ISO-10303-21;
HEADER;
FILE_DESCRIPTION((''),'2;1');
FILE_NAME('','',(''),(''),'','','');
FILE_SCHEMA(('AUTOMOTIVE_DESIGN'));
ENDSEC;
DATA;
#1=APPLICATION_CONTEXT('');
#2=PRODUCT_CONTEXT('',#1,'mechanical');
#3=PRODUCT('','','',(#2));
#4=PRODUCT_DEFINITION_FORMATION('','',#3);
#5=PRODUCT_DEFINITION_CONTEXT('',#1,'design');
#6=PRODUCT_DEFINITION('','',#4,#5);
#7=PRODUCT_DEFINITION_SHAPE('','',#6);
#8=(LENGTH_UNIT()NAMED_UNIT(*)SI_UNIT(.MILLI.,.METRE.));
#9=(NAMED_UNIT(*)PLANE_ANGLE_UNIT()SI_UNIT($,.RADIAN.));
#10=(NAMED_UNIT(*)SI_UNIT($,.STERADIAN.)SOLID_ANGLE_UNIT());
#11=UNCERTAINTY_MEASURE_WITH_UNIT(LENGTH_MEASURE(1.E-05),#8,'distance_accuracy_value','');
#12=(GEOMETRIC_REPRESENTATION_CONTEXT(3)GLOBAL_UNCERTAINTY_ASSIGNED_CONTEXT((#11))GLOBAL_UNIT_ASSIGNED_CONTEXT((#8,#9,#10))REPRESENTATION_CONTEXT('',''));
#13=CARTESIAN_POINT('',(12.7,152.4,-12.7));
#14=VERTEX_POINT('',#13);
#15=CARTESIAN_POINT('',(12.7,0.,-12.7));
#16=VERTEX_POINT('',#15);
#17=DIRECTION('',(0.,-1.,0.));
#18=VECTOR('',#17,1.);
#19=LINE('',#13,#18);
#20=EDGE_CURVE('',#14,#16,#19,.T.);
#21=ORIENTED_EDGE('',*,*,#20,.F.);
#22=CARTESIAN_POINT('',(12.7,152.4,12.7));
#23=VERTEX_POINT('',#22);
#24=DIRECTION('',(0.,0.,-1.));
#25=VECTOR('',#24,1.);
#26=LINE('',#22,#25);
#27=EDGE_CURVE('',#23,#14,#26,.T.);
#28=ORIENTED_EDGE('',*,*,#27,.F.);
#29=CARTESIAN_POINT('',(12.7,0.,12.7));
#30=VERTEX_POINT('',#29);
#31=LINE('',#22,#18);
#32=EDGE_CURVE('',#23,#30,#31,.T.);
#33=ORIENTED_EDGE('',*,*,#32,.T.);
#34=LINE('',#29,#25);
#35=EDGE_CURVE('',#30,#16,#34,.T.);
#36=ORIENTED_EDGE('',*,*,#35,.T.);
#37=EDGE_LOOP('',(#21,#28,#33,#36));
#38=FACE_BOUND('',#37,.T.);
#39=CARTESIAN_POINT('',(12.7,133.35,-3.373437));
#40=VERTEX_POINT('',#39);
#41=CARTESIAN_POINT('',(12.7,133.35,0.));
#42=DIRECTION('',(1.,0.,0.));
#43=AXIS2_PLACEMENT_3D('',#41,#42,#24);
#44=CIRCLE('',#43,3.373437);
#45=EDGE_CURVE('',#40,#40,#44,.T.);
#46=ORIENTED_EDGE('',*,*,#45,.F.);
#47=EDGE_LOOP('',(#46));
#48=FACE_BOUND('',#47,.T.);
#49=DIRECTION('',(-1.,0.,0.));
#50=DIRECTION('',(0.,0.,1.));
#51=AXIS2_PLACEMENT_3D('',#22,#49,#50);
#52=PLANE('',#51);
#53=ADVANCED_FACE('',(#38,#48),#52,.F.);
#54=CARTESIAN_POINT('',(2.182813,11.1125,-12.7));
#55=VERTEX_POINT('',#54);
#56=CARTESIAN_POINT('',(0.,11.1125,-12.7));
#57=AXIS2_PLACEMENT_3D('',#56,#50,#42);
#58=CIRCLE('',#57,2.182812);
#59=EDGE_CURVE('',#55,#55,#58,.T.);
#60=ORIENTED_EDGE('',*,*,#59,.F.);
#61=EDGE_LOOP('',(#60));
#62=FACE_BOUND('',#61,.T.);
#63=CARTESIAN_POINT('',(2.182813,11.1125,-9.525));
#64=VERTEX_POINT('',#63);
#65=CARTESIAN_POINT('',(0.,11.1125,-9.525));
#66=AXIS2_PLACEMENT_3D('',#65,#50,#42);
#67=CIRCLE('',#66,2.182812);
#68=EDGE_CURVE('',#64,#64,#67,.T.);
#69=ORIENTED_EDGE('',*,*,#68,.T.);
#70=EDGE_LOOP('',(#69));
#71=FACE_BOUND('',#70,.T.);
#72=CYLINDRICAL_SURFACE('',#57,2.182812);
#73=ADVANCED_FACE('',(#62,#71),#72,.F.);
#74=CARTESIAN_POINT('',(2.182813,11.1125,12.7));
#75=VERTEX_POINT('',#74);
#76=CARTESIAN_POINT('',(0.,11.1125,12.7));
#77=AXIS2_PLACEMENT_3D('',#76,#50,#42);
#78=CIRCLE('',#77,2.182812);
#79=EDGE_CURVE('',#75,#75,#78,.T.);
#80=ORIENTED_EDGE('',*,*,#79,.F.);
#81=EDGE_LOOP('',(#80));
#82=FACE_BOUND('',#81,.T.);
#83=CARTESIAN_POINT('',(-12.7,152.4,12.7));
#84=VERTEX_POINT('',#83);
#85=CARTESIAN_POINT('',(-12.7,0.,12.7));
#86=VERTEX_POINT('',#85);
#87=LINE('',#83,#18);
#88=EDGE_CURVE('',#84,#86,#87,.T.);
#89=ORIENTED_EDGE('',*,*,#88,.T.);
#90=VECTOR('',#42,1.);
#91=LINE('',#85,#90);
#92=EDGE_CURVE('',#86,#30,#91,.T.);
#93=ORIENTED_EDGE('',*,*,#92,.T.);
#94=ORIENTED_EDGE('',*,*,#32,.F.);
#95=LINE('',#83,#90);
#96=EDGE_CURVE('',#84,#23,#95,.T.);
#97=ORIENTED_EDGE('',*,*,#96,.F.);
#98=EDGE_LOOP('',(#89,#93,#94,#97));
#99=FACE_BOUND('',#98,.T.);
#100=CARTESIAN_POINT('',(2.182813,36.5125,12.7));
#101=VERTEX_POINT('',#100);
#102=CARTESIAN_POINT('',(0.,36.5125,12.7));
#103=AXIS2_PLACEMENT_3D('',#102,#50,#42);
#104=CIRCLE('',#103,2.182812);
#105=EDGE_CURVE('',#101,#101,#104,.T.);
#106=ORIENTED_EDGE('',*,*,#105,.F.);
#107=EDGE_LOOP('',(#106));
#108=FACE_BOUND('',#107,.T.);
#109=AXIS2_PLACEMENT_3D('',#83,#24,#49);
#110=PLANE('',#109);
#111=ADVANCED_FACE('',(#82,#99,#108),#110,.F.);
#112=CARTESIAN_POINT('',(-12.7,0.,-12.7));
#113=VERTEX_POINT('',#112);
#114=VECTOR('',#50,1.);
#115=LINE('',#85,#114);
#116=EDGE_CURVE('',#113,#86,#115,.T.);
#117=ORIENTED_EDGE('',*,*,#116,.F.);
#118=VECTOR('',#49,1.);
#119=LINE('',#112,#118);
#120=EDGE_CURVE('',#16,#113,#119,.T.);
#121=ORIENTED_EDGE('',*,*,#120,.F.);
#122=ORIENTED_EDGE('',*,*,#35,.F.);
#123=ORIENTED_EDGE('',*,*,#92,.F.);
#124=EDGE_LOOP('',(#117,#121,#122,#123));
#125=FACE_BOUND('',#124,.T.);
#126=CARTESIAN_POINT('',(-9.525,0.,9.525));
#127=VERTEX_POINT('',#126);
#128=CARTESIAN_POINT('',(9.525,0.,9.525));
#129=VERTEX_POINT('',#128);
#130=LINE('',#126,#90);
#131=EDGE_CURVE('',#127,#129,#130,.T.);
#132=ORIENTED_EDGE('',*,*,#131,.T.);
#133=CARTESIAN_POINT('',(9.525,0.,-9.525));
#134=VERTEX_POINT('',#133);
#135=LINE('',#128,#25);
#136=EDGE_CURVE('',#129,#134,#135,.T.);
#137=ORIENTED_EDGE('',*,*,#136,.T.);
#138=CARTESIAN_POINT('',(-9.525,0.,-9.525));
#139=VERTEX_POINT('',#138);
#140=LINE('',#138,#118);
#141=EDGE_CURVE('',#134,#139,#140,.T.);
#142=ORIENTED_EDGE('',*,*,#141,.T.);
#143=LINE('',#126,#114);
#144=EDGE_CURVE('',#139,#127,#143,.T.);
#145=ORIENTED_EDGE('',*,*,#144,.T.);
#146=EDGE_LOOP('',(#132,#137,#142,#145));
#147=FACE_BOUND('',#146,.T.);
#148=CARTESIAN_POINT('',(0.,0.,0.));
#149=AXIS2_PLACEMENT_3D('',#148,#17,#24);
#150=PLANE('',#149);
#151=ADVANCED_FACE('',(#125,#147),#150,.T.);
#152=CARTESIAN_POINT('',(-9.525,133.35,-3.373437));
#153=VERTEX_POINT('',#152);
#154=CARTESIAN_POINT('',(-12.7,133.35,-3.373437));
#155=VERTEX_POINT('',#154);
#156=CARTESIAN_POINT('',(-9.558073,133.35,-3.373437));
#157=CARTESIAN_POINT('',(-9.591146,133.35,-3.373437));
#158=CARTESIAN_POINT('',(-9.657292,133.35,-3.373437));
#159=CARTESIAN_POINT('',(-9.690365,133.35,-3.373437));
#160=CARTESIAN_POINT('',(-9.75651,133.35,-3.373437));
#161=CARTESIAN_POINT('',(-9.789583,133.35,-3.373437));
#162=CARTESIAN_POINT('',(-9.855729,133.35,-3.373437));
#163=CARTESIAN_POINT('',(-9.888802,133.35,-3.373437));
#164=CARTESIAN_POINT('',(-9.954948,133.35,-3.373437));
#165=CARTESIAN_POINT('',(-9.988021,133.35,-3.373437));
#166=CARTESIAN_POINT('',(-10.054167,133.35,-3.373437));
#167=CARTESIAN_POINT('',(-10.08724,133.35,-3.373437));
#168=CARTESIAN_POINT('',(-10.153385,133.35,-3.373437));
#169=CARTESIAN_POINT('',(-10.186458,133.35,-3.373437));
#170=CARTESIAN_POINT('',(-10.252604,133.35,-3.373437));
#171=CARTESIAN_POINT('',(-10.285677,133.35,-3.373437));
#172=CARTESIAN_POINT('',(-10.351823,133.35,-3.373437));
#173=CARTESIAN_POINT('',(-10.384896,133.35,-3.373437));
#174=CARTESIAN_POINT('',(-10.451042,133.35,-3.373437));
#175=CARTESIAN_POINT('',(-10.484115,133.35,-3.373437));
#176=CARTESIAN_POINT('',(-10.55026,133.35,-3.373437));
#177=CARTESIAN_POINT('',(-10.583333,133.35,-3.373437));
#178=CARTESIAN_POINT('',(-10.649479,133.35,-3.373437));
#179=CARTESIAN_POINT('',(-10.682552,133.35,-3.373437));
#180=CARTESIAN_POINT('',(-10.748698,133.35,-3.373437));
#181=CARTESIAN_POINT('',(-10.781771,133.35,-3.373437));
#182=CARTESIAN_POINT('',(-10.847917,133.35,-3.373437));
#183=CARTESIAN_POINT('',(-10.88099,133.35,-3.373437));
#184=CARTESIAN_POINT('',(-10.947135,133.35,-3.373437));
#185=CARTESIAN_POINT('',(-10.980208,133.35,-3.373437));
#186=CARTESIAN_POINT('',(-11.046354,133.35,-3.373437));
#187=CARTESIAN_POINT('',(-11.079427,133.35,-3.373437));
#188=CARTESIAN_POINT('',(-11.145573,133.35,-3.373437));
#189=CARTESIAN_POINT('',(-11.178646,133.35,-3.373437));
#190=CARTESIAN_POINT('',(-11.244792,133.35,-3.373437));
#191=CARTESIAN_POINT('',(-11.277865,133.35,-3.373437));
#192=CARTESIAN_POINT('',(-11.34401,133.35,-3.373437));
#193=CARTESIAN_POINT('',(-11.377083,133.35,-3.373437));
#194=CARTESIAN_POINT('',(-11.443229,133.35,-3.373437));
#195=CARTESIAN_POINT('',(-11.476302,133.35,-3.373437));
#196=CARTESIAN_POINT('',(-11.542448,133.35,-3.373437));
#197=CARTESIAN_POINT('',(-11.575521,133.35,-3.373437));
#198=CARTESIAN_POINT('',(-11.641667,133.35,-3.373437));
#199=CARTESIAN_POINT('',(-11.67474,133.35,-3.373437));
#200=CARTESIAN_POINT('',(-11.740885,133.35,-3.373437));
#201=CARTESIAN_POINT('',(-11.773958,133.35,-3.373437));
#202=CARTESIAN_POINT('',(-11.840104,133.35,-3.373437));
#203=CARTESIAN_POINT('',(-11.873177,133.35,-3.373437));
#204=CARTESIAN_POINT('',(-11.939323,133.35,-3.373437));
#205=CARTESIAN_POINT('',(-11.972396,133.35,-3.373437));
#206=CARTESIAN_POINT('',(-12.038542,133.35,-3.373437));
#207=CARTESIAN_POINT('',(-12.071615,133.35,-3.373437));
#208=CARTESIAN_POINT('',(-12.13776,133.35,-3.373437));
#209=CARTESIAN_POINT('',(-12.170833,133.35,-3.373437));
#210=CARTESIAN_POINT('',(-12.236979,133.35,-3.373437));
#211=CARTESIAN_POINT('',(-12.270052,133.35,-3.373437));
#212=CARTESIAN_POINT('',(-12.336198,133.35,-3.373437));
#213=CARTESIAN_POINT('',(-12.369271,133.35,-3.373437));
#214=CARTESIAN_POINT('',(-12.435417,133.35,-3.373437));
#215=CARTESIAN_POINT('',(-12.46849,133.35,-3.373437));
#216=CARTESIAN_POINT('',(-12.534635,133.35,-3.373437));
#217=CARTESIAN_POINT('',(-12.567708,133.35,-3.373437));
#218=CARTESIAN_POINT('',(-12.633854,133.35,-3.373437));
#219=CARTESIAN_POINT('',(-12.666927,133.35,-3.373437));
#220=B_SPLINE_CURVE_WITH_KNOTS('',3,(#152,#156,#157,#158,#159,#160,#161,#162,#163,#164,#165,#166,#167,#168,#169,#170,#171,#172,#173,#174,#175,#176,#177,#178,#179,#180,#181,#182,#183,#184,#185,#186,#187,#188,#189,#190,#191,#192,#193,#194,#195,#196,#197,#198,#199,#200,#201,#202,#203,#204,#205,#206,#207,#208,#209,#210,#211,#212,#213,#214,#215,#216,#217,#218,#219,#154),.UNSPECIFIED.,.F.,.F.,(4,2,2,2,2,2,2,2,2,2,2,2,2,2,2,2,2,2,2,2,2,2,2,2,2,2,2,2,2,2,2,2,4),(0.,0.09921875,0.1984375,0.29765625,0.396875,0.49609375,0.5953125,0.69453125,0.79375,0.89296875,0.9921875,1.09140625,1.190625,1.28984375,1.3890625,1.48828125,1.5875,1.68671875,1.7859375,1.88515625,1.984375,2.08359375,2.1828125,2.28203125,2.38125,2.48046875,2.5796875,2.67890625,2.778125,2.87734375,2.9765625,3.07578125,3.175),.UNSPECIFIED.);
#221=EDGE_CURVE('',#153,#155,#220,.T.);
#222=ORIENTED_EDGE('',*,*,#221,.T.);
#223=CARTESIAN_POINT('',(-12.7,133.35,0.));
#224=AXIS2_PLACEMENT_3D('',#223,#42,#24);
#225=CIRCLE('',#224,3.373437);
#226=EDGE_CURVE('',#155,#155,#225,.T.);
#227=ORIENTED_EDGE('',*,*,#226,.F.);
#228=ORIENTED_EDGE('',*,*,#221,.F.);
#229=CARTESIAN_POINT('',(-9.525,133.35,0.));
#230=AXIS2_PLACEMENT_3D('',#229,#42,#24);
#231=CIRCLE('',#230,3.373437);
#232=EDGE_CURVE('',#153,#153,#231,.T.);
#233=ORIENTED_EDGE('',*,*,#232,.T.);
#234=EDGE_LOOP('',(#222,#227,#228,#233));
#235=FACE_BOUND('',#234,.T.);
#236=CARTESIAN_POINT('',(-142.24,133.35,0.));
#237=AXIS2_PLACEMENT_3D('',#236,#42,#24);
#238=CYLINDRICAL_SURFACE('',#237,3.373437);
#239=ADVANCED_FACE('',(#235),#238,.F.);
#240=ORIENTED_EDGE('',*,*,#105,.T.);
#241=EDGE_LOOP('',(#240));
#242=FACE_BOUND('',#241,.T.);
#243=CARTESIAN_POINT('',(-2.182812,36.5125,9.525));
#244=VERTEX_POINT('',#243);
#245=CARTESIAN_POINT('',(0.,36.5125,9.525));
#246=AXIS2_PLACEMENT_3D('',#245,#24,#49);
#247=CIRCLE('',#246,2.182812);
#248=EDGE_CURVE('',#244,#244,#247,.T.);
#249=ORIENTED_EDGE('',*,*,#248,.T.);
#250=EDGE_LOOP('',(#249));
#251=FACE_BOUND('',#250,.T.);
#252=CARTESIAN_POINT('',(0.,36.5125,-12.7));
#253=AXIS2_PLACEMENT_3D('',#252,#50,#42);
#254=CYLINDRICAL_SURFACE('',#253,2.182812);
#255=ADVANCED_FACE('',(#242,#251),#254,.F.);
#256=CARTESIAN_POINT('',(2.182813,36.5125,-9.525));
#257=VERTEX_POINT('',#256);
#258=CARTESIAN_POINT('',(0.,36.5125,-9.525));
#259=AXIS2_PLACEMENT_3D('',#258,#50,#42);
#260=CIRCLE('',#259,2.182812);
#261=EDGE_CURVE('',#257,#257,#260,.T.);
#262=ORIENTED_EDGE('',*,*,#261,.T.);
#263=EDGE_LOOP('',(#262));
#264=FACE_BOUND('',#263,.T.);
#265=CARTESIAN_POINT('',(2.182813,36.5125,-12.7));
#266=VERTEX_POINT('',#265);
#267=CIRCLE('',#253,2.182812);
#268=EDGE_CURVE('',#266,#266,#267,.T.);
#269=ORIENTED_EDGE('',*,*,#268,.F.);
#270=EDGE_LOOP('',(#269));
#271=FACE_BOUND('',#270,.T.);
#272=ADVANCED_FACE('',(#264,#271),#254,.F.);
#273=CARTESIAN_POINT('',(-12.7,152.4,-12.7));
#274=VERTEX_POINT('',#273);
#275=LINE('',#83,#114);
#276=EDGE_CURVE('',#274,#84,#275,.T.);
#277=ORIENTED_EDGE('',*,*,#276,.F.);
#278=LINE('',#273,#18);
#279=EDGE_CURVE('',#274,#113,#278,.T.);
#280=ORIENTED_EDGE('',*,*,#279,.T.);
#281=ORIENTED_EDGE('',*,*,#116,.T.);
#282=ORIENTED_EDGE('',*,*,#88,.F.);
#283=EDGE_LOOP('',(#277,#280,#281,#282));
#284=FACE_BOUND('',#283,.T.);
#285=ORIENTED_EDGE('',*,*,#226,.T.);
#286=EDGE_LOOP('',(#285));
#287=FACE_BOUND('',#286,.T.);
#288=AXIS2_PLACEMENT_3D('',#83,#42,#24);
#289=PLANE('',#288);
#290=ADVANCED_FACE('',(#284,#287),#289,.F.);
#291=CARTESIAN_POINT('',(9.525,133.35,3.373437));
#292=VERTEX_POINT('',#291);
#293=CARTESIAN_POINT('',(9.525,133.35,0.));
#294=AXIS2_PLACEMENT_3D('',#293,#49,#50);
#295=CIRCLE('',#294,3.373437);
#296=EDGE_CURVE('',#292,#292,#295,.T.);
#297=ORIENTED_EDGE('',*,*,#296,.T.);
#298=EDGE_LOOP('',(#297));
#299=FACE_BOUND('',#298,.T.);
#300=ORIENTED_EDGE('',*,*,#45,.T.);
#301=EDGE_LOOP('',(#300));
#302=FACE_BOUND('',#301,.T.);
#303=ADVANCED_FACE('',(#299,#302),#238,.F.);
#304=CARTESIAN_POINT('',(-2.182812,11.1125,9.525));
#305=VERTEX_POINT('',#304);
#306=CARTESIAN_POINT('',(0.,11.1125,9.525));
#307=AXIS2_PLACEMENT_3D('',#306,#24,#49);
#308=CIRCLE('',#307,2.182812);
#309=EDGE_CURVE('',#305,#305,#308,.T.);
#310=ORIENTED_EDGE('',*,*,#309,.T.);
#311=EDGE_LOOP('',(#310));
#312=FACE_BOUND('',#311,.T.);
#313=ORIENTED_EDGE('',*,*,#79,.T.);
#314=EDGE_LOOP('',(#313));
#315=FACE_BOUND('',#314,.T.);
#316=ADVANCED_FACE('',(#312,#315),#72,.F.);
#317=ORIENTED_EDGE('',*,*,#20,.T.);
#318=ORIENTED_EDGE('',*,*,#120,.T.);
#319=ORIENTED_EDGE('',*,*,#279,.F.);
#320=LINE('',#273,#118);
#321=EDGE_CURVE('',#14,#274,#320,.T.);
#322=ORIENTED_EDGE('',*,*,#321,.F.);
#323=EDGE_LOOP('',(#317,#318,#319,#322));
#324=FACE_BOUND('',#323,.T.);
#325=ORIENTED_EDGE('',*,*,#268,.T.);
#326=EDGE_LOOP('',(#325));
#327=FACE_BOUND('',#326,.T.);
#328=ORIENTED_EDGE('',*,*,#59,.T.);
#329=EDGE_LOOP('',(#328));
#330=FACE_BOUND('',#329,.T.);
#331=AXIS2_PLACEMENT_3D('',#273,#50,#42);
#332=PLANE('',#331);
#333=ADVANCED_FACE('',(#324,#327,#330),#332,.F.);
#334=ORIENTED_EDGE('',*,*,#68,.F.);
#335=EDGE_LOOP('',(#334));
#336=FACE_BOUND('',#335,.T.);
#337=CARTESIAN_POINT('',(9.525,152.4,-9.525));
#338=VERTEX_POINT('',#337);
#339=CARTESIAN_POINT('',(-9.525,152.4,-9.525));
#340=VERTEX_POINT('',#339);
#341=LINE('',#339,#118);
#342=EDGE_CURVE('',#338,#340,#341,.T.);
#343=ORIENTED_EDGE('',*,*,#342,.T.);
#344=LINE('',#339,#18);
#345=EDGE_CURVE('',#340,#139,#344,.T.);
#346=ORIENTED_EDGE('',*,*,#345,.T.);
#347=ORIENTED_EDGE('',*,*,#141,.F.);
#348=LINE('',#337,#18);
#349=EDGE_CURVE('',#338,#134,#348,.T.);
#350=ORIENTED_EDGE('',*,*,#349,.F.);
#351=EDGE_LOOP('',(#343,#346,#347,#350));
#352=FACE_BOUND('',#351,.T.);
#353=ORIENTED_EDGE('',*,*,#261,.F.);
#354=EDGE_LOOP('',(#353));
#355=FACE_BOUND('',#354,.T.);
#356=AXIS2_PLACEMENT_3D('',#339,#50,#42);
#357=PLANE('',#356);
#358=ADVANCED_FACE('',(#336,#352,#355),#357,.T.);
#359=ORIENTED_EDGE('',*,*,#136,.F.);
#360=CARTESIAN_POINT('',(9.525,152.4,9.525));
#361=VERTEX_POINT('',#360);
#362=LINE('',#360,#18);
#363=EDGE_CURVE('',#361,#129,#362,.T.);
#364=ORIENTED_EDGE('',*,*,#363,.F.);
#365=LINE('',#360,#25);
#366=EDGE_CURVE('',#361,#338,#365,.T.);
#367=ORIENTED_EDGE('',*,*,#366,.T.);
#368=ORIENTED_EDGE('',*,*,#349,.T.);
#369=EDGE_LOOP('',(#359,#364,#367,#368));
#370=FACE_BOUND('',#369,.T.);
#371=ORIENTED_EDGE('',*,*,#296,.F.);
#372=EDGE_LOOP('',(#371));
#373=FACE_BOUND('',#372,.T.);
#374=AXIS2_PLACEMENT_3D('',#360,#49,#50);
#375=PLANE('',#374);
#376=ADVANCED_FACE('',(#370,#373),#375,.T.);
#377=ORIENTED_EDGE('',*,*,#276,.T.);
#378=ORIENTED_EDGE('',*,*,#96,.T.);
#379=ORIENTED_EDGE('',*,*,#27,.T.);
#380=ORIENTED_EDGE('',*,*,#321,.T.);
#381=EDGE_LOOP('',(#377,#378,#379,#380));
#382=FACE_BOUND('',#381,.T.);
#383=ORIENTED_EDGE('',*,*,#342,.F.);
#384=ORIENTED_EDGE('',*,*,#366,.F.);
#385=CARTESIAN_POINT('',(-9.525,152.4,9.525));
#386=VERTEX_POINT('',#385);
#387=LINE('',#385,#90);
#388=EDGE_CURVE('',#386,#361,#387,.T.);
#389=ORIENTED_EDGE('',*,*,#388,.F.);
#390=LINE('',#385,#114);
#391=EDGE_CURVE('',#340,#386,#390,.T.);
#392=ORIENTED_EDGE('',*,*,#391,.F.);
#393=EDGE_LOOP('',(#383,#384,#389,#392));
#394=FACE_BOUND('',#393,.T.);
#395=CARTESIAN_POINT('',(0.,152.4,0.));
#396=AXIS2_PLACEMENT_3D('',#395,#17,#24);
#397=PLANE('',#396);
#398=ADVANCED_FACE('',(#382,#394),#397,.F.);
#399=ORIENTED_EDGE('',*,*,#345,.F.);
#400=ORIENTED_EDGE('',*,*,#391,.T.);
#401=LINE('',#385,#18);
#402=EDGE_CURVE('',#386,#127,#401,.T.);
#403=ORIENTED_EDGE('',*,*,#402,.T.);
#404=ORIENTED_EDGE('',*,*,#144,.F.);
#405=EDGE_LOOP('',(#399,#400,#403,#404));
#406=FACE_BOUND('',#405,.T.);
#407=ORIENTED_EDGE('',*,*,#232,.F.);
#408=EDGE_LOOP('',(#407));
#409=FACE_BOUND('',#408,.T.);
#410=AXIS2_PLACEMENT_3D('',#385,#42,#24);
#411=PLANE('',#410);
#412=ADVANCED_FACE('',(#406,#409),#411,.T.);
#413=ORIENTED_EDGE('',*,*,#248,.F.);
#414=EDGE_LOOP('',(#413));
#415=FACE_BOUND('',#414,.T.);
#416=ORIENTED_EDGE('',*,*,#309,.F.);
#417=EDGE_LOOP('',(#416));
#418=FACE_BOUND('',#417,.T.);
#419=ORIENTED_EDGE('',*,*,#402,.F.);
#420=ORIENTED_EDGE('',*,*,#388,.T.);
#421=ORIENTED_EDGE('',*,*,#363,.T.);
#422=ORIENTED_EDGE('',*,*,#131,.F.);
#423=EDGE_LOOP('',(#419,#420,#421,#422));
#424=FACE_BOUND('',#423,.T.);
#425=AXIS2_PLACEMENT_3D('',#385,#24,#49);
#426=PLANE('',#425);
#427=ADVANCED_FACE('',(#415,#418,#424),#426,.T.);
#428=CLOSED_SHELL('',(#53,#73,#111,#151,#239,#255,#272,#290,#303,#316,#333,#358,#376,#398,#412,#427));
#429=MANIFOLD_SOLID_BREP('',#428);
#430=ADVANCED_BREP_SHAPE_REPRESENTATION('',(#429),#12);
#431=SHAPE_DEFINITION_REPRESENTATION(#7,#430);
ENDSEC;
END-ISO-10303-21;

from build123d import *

# Parameters (mm, degrees)
SKETCH1_W           = 25.4
SKETCH1_H           = 25.4
SKETCH1_W_2         = 19.05
SKETCH1_H_2         = 19.05
BOSS_EXTRUDE1_DEPTH = 152.4
SKETCH2_R           = 2.1828125
CUT_EXTRUDE1_DEPTH  = 156.02325632
SKETCH3_R           = 3.3734375
CUT_EXTRUDE2_DEPTH  = 154.94


with BuildPart() as part:
    # Sketch1 → Boss-Extrude1 (new body)
    with BuildSketch(Plane(origin=(0, 0, 0), x_dir=(1, 0, 0), z_dir=(0, 1, 0))):
        Rectangle(SKETCH1_W, SKETCH1_H)
        Rectangle(SKETCH1_W_2, SKETCH1_H_2, mode=Mode.SUBTRACT)
    extrude(amount=BOSS_EXTRUDE1_DEPTH)

    # Sketch2 → Cut-Extrude1 (cut, through all)
    with BuildSketch(Plane.XY.offset(12.7)):
        with Locations((0, 11.1125)):
            Circle(SKETCH2_R)
        with Locations((0, 36.5125)):
            Circle(SKETCH2_R)
    extrude(amount=-CUT_EXTRUDE1_DEPTH, mode=Mode.SUBTRACT)

    # Sketch3 → Cut-Extrude2 (cut)
    with BuildSketch(Plane(origin=(12.7, 0, 0), x_dir=(0, 0, -1), z_dir=(1, 0, 0))):
        with Locations((0, 133.35)):
            Circle(SKETCH3_R)
    extrude(amount=-CUT_EXTRUDE2_DEPTH, mode=Mode.SUBTRACT)


solid = part.part
